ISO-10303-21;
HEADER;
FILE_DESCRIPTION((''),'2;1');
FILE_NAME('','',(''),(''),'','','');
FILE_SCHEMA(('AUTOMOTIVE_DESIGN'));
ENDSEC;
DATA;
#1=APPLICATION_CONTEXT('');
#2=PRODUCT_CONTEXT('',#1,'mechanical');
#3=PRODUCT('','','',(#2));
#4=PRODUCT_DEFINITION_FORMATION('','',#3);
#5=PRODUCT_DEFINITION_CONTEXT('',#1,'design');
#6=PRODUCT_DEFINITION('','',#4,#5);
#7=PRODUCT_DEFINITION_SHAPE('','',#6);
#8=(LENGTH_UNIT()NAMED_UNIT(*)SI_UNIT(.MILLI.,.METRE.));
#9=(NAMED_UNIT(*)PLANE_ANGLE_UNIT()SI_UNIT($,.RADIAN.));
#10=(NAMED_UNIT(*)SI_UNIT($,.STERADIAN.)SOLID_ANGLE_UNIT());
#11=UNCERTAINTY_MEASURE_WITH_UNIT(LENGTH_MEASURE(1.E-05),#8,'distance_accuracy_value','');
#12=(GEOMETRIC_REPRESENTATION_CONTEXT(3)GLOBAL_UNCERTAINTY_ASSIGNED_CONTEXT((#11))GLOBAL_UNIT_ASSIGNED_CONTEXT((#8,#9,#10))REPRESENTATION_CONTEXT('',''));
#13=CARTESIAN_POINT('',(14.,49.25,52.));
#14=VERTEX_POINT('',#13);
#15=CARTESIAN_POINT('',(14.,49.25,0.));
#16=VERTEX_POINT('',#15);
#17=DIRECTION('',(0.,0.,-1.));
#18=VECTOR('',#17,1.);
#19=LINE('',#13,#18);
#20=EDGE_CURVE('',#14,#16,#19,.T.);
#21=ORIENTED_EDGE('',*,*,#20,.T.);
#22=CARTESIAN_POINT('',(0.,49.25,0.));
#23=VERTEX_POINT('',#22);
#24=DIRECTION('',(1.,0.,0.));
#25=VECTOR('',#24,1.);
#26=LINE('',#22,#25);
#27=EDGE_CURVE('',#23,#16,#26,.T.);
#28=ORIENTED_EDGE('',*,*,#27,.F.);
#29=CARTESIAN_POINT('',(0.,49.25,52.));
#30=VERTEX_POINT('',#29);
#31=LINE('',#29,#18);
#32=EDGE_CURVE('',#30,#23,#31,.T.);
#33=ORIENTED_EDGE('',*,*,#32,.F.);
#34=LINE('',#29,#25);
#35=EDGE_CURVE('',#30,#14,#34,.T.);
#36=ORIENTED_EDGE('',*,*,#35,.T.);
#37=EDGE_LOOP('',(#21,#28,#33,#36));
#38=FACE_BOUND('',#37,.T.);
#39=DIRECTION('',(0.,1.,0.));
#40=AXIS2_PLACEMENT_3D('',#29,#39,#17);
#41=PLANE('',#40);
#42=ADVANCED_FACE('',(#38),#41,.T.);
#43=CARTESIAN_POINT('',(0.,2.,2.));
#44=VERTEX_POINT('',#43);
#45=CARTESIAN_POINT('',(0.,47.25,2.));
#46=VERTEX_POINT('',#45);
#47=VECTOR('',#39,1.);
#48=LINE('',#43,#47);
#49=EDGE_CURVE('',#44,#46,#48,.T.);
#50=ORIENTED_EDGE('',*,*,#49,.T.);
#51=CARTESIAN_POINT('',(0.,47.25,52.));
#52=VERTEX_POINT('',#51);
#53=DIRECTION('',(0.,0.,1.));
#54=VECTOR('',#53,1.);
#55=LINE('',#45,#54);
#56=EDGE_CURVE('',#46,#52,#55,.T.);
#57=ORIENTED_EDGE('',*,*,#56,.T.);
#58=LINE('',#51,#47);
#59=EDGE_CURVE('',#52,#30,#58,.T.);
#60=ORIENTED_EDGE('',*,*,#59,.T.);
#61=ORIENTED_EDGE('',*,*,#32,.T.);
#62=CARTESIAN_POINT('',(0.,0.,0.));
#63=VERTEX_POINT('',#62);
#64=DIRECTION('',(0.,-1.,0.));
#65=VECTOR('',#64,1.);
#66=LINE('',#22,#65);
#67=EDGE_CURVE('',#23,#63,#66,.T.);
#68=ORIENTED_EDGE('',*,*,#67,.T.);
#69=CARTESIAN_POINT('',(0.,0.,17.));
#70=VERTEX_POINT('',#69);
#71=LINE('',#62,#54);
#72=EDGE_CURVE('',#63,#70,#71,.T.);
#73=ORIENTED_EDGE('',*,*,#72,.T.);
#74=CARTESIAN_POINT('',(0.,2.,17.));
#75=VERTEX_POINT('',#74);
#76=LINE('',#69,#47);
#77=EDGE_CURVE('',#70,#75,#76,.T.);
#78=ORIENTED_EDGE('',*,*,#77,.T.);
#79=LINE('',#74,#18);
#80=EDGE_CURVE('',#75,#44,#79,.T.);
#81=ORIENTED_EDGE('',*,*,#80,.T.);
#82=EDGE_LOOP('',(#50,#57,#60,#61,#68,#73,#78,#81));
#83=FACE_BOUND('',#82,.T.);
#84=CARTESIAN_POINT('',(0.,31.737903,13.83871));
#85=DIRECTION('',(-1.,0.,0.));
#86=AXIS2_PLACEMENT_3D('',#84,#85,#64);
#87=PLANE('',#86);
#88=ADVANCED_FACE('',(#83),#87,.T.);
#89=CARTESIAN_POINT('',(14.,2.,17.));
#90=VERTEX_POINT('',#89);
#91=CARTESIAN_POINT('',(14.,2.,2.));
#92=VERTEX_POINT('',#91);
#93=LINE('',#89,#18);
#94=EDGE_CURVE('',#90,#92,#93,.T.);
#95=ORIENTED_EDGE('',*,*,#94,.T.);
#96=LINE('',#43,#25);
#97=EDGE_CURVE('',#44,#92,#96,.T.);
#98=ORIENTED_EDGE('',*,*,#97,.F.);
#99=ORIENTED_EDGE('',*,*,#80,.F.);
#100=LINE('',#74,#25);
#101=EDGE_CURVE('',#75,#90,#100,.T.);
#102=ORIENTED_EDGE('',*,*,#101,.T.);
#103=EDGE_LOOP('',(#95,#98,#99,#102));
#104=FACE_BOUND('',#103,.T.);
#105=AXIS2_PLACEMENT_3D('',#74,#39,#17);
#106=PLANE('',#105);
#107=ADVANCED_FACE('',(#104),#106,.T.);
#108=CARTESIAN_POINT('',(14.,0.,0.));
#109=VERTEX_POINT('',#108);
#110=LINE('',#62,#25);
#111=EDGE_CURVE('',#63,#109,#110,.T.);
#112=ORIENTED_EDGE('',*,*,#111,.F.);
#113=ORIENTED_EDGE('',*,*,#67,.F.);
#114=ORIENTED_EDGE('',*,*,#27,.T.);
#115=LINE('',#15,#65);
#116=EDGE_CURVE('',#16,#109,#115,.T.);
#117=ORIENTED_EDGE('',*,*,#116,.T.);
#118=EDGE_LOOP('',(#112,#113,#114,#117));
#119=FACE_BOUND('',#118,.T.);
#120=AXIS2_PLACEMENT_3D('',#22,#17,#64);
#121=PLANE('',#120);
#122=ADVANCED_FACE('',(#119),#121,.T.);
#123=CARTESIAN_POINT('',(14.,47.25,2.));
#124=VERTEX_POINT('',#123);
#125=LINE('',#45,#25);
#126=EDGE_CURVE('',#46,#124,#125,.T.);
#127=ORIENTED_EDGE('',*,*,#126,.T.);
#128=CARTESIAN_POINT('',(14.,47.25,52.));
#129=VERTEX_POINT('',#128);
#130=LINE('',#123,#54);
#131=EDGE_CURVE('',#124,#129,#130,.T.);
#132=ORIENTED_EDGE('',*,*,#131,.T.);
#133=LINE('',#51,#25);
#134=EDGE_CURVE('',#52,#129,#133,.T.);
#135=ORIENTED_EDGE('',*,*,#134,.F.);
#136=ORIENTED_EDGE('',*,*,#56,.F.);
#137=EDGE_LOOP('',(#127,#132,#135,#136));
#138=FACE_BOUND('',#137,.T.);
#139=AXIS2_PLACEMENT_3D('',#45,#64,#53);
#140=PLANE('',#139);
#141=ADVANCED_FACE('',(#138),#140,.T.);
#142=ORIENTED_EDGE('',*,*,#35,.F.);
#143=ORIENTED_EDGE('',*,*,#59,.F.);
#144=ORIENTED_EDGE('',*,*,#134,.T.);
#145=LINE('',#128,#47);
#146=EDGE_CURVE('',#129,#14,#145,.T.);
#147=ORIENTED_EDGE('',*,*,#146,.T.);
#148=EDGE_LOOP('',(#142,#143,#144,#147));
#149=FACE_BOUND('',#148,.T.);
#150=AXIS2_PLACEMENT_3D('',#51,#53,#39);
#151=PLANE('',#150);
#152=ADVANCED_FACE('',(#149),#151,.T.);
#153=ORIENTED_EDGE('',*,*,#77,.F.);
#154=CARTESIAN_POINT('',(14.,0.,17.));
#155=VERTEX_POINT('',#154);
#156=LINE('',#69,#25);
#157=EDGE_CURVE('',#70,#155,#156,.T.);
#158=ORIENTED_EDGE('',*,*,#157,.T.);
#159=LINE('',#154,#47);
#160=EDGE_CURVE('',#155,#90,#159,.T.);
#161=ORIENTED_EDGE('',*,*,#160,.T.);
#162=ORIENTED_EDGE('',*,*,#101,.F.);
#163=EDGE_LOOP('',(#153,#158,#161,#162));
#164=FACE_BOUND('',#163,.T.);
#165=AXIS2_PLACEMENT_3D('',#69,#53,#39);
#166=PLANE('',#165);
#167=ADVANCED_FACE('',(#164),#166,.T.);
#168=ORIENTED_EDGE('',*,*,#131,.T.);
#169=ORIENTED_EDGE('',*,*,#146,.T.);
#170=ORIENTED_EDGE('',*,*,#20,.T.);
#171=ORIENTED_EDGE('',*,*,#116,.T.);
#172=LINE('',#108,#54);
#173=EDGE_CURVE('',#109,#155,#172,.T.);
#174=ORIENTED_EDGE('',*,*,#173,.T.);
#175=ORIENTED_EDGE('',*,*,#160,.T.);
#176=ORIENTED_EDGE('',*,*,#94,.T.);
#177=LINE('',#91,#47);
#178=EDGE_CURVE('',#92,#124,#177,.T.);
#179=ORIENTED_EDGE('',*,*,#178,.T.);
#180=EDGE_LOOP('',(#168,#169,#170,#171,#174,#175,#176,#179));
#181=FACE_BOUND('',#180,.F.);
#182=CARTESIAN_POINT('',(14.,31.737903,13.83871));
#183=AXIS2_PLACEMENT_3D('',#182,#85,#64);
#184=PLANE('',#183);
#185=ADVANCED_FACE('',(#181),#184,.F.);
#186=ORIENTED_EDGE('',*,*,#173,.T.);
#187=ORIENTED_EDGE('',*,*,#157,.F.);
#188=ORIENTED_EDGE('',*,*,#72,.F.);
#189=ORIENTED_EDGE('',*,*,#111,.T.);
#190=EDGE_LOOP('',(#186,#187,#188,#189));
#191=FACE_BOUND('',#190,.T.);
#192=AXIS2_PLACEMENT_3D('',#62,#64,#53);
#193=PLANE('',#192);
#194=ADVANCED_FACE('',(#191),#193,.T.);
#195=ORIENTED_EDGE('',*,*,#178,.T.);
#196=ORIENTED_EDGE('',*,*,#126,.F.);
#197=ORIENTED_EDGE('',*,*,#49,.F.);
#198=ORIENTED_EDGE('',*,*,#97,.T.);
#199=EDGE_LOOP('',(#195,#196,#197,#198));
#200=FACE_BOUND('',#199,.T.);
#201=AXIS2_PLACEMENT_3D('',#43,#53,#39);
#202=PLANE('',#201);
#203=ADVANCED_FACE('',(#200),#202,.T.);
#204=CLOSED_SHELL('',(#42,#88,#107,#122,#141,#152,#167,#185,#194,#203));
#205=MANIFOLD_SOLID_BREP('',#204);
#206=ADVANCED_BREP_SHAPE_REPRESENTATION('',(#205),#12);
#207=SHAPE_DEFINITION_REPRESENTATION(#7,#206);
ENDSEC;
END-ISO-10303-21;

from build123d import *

# Parameters (mm, degrees)
PAD_DEPTH = 14


with BuildPart() as part:
    # Sketch → Pad (new body)
    with BuildSketch(Plane.YZ):
        Polygon((0, 0), (0, 17), (2, 17), (2, 2), (47.25, 2), (47.25, 52), (49.25, 52), (49.25, 0), align=None)
    extrude(amount=PAD_DEPTH)


solid = part.part
